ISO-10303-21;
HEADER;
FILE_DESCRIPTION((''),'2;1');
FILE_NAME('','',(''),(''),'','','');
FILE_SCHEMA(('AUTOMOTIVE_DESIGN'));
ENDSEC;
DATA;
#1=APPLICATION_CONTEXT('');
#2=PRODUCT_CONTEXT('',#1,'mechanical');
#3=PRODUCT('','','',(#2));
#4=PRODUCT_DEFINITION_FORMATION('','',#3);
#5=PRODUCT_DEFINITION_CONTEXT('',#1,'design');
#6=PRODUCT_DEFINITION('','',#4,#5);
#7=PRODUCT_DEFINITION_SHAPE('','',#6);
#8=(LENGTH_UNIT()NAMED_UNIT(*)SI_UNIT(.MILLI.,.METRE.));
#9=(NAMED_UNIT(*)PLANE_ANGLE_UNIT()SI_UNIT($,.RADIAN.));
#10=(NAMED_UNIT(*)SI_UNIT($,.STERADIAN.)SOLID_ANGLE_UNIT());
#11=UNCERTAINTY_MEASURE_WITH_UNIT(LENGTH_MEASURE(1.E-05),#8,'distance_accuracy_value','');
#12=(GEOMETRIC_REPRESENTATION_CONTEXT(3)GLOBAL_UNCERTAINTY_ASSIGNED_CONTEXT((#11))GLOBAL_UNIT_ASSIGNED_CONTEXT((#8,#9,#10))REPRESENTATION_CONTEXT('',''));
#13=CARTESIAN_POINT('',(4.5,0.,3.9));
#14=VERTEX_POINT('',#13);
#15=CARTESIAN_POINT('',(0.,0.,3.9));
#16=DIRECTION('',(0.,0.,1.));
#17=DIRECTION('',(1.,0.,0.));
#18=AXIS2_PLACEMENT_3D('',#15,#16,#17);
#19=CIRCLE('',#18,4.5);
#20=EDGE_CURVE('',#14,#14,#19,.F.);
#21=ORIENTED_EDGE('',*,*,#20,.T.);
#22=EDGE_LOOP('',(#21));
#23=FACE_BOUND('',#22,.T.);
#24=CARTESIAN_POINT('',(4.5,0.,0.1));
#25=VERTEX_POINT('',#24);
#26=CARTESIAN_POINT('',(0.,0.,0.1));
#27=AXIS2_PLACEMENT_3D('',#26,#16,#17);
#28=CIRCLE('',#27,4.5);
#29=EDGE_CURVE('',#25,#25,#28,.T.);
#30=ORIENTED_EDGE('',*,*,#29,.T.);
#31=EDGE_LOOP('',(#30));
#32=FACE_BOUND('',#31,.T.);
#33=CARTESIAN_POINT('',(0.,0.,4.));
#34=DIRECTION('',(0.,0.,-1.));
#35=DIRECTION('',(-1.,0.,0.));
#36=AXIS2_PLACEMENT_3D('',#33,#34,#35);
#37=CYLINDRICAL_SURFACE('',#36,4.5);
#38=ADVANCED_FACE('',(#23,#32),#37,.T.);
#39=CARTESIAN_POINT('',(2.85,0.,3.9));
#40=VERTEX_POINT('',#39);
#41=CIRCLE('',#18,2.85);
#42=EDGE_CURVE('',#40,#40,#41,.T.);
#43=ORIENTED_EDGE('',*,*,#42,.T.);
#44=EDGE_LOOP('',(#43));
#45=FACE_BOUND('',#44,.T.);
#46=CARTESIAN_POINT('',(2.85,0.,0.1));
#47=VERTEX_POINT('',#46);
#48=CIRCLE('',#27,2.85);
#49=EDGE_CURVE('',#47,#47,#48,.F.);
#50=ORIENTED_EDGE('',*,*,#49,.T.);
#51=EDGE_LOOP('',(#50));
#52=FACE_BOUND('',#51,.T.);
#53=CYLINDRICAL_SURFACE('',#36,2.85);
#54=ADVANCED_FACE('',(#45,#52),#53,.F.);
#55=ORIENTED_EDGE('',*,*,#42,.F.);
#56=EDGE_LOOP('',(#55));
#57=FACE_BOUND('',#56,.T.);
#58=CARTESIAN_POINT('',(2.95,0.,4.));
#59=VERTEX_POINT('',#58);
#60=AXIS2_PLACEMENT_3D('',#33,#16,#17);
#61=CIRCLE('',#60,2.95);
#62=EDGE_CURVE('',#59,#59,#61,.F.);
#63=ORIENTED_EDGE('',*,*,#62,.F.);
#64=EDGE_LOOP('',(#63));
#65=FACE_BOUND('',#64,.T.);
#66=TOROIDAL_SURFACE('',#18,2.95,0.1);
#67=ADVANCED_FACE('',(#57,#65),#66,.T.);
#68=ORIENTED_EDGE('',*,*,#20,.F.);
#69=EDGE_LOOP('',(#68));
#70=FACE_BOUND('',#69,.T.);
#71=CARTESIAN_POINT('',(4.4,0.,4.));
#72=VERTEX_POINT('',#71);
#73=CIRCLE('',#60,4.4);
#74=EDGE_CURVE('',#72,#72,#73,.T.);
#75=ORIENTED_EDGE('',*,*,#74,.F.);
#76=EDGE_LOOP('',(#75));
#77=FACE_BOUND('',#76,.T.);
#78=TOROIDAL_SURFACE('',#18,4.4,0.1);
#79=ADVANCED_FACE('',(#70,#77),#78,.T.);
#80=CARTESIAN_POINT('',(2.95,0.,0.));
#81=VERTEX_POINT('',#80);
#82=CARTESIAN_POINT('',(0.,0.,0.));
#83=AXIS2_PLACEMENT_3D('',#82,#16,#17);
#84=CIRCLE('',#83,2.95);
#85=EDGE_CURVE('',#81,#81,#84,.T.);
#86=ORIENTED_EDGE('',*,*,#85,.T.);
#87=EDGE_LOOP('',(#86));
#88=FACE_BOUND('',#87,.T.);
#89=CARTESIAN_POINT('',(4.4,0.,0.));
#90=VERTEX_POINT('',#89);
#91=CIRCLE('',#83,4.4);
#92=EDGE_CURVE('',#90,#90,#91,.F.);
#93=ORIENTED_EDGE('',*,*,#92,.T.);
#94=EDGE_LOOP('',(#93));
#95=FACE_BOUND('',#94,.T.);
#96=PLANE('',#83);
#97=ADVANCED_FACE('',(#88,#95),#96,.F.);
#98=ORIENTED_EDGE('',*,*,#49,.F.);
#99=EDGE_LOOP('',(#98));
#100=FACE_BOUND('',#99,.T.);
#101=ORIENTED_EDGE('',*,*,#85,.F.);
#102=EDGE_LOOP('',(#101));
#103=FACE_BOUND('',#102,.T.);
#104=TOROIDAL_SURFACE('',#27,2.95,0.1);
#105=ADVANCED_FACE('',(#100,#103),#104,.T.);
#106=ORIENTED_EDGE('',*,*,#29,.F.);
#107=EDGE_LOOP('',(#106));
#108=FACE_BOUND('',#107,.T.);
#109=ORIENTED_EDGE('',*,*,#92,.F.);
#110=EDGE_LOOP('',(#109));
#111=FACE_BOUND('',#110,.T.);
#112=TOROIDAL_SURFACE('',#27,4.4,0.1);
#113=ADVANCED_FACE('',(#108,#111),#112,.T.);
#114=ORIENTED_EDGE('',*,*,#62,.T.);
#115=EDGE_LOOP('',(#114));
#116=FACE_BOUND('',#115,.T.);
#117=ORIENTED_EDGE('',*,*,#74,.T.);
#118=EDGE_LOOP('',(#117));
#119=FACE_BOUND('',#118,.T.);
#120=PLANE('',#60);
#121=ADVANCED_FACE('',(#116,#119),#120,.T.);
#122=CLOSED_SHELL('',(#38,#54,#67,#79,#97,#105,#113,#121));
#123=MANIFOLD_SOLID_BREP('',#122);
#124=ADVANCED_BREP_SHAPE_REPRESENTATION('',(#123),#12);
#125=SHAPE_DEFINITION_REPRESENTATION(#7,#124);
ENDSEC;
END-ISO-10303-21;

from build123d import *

# Parameters (mm, degrees)
SKETCH_1_R      = 4.5
SKETCH_1_R_2    = 2.85
EXTRUDE_1_DEPTH = 4
FILLET_1_R      = 0.1


with BuildPart() as part:
    # 草图1 → 凸台-拉伸1 (new body)
    with BuildSketch(Plane.XY):
        Circle(SKETCH_1_R)
        Circle(SKETCH_1_R_2, mode=Mode.SUBTRACT)
    extrude(amount=EXTRUDE_1_DEPTH)

    # 圆角1
    fillet_1_edges = [part.edges().sort_by_distance(p)[0] for p in [
        (-4.5, 0, 0),
        (-4.5, 0, 4),
        (-2.85, 0, 0),
        (-2.85, 0, 4),
    ]]
    fillet(fillet_1_edges, radius=FILLET_1_R)


solid = part.part
